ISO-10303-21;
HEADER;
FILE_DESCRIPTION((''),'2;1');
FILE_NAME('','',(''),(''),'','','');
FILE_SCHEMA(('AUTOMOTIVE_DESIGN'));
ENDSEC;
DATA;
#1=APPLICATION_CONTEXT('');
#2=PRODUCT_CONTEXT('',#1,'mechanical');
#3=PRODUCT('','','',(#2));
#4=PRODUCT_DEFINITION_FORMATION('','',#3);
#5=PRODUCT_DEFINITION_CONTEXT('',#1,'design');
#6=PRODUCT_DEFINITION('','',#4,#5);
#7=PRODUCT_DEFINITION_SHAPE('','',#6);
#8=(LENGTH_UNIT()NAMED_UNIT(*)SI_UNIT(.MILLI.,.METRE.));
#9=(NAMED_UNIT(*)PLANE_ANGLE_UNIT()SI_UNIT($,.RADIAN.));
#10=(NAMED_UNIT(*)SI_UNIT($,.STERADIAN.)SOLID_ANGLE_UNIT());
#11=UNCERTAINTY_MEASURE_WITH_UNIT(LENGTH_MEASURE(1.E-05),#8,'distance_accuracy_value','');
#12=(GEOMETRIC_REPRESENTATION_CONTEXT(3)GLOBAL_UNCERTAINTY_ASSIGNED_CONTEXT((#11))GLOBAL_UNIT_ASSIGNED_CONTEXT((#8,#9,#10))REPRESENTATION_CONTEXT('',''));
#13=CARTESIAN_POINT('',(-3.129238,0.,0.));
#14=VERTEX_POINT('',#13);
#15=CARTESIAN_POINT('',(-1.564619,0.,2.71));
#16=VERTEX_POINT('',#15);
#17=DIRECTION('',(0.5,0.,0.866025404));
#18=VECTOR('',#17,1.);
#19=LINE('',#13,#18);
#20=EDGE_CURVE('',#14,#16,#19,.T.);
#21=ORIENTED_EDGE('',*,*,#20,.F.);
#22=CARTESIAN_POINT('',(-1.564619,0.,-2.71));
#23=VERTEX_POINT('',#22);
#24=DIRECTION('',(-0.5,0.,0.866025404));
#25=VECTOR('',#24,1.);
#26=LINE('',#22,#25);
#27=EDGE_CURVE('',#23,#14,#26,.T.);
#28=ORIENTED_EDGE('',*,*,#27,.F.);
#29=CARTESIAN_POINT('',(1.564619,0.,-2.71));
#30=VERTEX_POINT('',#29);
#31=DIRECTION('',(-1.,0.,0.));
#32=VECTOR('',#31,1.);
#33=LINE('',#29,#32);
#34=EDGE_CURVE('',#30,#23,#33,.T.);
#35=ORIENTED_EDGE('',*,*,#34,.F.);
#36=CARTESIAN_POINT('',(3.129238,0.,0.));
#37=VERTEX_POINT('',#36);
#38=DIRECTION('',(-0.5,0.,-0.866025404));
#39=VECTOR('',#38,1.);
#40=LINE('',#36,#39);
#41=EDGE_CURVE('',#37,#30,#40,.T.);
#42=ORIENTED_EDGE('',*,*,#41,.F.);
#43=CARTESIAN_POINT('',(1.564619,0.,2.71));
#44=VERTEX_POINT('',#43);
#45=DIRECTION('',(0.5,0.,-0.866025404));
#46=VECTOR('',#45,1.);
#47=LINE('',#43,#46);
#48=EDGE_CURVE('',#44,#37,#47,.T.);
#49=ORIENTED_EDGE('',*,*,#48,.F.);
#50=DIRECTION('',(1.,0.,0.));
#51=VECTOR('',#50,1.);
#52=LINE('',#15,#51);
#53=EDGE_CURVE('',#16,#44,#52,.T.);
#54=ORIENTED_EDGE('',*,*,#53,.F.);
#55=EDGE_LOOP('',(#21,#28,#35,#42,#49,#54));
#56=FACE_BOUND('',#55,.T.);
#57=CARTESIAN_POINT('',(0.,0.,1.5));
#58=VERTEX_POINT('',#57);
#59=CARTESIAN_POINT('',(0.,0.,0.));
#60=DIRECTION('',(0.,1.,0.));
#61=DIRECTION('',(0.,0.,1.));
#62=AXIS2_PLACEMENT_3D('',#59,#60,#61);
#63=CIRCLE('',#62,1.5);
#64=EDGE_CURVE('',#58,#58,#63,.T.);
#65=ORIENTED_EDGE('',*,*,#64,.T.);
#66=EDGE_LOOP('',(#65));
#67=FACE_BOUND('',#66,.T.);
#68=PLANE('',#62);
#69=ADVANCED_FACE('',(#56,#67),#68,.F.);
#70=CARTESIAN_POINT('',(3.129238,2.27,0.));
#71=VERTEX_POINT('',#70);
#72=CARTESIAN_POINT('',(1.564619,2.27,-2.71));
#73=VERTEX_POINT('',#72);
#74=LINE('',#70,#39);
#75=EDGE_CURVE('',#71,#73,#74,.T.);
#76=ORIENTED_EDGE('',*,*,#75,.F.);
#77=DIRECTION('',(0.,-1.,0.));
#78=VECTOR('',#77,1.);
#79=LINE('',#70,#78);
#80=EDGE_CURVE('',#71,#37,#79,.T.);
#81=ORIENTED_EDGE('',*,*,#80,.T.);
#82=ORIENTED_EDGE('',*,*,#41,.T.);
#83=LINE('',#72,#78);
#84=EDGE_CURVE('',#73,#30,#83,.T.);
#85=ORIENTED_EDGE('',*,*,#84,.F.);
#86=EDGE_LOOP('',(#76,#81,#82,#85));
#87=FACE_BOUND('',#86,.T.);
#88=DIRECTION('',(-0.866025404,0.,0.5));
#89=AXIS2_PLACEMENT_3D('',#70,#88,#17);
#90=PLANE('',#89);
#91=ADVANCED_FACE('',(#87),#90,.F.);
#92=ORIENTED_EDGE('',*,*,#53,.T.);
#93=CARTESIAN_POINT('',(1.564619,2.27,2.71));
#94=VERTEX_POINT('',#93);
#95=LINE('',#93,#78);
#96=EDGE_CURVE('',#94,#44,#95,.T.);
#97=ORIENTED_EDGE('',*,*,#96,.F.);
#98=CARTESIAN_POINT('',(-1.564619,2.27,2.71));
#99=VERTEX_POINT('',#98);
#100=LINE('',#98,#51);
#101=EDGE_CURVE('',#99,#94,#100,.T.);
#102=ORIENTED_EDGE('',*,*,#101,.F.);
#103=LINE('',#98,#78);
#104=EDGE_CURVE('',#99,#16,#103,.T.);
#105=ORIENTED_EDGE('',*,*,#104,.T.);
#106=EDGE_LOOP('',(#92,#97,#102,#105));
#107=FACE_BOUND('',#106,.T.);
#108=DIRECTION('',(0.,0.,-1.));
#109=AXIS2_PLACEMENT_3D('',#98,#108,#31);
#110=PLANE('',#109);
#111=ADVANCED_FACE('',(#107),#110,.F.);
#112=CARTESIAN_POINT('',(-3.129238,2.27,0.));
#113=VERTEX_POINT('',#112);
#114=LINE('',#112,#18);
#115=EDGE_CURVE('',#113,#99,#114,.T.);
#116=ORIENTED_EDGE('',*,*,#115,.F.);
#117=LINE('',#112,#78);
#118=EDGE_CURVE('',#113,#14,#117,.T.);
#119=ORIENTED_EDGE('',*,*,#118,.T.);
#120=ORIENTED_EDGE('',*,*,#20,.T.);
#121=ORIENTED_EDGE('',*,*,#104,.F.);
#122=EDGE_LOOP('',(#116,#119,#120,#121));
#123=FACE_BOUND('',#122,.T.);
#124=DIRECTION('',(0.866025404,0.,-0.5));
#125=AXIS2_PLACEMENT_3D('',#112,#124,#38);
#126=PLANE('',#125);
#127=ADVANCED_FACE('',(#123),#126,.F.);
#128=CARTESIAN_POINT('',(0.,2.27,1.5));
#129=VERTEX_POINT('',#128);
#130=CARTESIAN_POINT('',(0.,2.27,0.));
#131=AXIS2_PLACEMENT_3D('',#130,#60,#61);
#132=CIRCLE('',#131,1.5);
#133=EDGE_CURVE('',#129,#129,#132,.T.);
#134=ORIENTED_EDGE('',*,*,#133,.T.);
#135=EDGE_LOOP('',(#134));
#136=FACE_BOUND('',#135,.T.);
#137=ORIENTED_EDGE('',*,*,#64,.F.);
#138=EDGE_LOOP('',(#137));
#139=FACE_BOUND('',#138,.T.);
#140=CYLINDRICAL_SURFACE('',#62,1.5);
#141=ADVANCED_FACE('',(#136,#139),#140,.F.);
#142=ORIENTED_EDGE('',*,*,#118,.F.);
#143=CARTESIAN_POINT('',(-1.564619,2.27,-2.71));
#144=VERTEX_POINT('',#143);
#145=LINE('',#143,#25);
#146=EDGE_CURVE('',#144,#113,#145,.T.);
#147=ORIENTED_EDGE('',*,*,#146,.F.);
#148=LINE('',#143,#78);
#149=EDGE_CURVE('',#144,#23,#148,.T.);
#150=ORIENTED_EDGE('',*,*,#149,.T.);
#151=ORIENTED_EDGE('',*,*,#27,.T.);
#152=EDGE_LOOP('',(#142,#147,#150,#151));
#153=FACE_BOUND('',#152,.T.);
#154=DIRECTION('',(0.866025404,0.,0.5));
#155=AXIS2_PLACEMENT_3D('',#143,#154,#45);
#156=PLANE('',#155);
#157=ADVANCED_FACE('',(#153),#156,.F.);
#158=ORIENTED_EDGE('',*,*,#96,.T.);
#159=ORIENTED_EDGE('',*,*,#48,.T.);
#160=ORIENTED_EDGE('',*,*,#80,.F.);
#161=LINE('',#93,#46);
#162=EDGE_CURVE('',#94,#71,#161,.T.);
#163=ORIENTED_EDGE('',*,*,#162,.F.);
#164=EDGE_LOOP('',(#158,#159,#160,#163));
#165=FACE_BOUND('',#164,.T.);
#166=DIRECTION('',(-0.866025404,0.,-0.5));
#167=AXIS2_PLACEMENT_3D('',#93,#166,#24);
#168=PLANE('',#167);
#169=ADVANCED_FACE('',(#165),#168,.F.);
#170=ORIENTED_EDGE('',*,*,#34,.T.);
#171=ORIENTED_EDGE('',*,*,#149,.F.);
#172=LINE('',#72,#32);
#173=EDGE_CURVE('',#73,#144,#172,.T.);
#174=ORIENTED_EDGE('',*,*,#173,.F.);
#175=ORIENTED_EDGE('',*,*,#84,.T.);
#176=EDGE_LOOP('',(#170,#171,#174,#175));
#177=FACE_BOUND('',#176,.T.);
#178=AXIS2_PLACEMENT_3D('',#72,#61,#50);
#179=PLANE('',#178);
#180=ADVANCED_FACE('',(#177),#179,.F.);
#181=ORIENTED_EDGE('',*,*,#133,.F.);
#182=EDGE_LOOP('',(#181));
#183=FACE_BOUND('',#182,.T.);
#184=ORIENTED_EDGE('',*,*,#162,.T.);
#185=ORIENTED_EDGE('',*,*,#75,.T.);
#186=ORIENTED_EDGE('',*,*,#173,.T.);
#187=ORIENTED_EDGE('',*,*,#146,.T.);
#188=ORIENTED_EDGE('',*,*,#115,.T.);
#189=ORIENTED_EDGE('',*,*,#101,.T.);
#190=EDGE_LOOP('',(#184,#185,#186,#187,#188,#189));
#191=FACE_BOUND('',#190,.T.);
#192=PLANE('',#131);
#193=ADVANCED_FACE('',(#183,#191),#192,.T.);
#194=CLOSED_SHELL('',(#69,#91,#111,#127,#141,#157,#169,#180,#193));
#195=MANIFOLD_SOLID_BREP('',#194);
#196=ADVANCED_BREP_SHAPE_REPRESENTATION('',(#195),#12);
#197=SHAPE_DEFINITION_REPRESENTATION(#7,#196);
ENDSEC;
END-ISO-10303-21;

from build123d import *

# Parameters (mm, degrees)
BOSS_EXTRUDE1_DEPTH = 2.27
SKETCH2_R           = 1.5
CUT_EXTRUDE1_DEPTH  = 2.27


with BuildPart() as part:
    # Sketch1 → Boss-Extrude1 (new body)
    with BuildSketch(Plane(origin=(0, 0, 0), x_dir=(1, 0, 0), z_dir=(0, 1, 0))):
        Polygon((3.129238459, 0), (1.56461923, 2.71), (-1.56461923, 2.71), (-3.129238459, 0), (-1.56461923, -2.71), (1.56461923, -2.71), align=None)
    extrude(amount=BOSS_EXTRUDE1_DEPTH)

    # Sketch2 → Cut-Extrude1 (cut)
    with BuildSketch(Plane(origin=(0, 2.27, 0), x_dir=(1, 0, 0), z_dir=(0, 1, 0))):
        with Locations(Location((0, 0, 0), (0, 0, 270))):
            Circle(SKETCH2_R)
    extrude(amount=-CUT_EXTRUDE1_DEPTH, mode=Mode.SUBTRACT)


solid = part.part
